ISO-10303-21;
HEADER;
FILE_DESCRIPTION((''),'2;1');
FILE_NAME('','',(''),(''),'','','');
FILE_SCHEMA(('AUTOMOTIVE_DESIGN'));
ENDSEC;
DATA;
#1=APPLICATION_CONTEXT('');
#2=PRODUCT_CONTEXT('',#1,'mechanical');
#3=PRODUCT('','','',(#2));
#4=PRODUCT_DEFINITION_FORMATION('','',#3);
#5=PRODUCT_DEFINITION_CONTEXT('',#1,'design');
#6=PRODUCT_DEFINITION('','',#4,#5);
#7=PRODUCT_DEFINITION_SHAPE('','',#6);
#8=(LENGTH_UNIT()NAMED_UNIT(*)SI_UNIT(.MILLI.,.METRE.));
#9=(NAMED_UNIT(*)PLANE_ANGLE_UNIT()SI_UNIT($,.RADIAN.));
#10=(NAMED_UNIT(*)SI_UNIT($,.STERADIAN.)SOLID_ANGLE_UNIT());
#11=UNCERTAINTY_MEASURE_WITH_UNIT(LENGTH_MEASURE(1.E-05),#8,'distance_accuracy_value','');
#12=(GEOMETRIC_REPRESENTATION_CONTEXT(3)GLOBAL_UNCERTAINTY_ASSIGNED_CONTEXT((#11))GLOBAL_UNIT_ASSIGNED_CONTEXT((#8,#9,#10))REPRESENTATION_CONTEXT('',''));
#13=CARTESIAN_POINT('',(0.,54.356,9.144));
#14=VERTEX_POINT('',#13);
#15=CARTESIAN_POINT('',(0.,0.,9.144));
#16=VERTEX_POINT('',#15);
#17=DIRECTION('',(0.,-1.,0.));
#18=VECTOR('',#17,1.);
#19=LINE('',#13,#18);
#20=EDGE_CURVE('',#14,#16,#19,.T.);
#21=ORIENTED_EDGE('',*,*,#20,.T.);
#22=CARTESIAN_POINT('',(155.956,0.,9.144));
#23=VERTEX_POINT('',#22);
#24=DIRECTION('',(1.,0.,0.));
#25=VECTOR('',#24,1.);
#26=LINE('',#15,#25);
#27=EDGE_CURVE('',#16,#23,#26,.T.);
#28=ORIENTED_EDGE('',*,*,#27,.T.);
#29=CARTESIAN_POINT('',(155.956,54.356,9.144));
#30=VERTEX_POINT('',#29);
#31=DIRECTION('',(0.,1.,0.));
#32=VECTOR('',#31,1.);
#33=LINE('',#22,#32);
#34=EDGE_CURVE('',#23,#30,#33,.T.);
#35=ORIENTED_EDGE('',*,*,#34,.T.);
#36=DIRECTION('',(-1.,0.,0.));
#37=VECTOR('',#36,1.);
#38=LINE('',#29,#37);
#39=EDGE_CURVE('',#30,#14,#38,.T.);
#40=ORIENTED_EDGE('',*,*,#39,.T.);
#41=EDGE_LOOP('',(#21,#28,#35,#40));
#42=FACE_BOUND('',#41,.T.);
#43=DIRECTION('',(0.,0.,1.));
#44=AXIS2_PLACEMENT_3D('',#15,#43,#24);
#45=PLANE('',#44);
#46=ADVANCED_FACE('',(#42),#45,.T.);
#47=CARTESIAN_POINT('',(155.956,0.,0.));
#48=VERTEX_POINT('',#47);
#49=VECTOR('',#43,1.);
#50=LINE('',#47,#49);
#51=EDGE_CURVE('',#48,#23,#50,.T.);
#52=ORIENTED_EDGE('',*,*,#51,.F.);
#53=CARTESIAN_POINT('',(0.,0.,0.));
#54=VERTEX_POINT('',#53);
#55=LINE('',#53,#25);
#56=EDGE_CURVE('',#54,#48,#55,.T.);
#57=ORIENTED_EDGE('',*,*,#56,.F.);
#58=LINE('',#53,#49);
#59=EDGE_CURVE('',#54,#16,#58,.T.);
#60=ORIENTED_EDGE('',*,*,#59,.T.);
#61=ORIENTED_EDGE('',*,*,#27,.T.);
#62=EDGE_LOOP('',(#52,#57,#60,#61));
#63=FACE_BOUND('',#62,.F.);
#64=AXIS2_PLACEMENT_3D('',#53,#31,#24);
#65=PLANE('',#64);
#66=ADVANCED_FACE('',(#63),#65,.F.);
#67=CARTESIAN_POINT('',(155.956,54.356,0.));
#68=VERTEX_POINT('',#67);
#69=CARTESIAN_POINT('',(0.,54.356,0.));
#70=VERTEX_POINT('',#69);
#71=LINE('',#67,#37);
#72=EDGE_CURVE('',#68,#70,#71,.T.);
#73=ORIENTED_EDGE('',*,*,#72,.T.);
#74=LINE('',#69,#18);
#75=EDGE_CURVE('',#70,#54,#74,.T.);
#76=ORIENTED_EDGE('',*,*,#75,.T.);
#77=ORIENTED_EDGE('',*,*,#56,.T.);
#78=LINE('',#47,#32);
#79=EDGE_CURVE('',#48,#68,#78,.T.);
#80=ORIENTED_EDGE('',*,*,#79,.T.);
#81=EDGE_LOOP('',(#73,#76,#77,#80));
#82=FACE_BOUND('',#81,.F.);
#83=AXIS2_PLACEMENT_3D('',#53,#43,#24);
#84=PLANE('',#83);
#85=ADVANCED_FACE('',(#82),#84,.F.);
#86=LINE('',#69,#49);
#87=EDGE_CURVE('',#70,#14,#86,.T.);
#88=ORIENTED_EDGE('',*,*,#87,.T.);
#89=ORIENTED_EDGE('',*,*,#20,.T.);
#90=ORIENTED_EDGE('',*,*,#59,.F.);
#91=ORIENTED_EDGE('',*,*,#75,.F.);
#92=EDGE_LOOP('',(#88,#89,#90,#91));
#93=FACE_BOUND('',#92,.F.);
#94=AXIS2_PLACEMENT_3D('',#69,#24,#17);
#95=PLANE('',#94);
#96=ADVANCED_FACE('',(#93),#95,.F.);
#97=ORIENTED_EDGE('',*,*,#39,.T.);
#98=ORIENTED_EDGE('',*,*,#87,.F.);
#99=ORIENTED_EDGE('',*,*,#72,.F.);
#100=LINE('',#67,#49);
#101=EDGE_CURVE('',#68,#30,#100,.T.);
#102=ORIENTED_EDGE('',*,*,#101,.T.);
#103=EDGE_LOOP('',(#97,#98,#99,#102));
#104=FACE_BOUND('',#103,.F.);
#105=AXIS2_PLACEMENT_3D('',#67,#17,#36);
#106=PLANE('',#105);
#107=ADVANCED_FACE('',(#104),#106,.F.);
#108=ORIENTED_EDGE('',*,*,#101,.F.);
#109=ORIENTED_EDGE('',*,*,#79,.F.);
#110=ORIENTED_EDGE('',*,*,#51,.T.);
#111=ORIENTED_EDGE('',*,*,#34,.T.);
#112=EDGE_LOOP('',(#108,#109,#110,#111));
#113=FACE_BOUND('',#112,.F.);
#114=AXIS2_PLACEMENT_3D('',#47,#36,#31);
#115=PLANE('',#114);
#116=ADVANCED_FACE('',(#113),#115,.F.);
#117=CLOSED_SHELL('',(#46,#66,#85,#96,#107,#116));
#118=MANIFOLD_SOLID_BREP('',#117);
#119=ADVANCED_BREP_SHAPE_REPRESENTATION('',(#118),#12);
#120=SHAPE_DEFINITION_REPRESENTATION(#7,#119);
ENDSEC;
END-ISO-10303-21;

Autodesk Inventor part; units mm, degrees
ref_plane "YZ Plane" through (0, 0, 0) normal (1, 0, 0) x (0, 1, 0)
ref_plane "XZ Plane" through (0, 0, 0) normal (0, 1, 0) x (-1, 0, 0)
ref_plane "XY Plane" through (0, 0, 0) normal (0, 0, 1) x (1, 0, 0)
sketch "Sketch1" plane through (0, 0, 0) normal (0, 0, 1) x (1, 0, 0)
  line L0 (0, 0) -> (155.956, 0)
  line L1 (155.956, 0) -> (155.956, 54.356)
  line L2 (155.956, 54.356) -> (0, 54.356)
  line L3 (0, 54.356) -> (0, 0)
  dimension "d0" = 155.956
  dimension "d1" = 54.356
extrude "Extrusion1" add sketch "Sketch1" along normal blind 9.144
properties part number "msheehan_breadboard"
